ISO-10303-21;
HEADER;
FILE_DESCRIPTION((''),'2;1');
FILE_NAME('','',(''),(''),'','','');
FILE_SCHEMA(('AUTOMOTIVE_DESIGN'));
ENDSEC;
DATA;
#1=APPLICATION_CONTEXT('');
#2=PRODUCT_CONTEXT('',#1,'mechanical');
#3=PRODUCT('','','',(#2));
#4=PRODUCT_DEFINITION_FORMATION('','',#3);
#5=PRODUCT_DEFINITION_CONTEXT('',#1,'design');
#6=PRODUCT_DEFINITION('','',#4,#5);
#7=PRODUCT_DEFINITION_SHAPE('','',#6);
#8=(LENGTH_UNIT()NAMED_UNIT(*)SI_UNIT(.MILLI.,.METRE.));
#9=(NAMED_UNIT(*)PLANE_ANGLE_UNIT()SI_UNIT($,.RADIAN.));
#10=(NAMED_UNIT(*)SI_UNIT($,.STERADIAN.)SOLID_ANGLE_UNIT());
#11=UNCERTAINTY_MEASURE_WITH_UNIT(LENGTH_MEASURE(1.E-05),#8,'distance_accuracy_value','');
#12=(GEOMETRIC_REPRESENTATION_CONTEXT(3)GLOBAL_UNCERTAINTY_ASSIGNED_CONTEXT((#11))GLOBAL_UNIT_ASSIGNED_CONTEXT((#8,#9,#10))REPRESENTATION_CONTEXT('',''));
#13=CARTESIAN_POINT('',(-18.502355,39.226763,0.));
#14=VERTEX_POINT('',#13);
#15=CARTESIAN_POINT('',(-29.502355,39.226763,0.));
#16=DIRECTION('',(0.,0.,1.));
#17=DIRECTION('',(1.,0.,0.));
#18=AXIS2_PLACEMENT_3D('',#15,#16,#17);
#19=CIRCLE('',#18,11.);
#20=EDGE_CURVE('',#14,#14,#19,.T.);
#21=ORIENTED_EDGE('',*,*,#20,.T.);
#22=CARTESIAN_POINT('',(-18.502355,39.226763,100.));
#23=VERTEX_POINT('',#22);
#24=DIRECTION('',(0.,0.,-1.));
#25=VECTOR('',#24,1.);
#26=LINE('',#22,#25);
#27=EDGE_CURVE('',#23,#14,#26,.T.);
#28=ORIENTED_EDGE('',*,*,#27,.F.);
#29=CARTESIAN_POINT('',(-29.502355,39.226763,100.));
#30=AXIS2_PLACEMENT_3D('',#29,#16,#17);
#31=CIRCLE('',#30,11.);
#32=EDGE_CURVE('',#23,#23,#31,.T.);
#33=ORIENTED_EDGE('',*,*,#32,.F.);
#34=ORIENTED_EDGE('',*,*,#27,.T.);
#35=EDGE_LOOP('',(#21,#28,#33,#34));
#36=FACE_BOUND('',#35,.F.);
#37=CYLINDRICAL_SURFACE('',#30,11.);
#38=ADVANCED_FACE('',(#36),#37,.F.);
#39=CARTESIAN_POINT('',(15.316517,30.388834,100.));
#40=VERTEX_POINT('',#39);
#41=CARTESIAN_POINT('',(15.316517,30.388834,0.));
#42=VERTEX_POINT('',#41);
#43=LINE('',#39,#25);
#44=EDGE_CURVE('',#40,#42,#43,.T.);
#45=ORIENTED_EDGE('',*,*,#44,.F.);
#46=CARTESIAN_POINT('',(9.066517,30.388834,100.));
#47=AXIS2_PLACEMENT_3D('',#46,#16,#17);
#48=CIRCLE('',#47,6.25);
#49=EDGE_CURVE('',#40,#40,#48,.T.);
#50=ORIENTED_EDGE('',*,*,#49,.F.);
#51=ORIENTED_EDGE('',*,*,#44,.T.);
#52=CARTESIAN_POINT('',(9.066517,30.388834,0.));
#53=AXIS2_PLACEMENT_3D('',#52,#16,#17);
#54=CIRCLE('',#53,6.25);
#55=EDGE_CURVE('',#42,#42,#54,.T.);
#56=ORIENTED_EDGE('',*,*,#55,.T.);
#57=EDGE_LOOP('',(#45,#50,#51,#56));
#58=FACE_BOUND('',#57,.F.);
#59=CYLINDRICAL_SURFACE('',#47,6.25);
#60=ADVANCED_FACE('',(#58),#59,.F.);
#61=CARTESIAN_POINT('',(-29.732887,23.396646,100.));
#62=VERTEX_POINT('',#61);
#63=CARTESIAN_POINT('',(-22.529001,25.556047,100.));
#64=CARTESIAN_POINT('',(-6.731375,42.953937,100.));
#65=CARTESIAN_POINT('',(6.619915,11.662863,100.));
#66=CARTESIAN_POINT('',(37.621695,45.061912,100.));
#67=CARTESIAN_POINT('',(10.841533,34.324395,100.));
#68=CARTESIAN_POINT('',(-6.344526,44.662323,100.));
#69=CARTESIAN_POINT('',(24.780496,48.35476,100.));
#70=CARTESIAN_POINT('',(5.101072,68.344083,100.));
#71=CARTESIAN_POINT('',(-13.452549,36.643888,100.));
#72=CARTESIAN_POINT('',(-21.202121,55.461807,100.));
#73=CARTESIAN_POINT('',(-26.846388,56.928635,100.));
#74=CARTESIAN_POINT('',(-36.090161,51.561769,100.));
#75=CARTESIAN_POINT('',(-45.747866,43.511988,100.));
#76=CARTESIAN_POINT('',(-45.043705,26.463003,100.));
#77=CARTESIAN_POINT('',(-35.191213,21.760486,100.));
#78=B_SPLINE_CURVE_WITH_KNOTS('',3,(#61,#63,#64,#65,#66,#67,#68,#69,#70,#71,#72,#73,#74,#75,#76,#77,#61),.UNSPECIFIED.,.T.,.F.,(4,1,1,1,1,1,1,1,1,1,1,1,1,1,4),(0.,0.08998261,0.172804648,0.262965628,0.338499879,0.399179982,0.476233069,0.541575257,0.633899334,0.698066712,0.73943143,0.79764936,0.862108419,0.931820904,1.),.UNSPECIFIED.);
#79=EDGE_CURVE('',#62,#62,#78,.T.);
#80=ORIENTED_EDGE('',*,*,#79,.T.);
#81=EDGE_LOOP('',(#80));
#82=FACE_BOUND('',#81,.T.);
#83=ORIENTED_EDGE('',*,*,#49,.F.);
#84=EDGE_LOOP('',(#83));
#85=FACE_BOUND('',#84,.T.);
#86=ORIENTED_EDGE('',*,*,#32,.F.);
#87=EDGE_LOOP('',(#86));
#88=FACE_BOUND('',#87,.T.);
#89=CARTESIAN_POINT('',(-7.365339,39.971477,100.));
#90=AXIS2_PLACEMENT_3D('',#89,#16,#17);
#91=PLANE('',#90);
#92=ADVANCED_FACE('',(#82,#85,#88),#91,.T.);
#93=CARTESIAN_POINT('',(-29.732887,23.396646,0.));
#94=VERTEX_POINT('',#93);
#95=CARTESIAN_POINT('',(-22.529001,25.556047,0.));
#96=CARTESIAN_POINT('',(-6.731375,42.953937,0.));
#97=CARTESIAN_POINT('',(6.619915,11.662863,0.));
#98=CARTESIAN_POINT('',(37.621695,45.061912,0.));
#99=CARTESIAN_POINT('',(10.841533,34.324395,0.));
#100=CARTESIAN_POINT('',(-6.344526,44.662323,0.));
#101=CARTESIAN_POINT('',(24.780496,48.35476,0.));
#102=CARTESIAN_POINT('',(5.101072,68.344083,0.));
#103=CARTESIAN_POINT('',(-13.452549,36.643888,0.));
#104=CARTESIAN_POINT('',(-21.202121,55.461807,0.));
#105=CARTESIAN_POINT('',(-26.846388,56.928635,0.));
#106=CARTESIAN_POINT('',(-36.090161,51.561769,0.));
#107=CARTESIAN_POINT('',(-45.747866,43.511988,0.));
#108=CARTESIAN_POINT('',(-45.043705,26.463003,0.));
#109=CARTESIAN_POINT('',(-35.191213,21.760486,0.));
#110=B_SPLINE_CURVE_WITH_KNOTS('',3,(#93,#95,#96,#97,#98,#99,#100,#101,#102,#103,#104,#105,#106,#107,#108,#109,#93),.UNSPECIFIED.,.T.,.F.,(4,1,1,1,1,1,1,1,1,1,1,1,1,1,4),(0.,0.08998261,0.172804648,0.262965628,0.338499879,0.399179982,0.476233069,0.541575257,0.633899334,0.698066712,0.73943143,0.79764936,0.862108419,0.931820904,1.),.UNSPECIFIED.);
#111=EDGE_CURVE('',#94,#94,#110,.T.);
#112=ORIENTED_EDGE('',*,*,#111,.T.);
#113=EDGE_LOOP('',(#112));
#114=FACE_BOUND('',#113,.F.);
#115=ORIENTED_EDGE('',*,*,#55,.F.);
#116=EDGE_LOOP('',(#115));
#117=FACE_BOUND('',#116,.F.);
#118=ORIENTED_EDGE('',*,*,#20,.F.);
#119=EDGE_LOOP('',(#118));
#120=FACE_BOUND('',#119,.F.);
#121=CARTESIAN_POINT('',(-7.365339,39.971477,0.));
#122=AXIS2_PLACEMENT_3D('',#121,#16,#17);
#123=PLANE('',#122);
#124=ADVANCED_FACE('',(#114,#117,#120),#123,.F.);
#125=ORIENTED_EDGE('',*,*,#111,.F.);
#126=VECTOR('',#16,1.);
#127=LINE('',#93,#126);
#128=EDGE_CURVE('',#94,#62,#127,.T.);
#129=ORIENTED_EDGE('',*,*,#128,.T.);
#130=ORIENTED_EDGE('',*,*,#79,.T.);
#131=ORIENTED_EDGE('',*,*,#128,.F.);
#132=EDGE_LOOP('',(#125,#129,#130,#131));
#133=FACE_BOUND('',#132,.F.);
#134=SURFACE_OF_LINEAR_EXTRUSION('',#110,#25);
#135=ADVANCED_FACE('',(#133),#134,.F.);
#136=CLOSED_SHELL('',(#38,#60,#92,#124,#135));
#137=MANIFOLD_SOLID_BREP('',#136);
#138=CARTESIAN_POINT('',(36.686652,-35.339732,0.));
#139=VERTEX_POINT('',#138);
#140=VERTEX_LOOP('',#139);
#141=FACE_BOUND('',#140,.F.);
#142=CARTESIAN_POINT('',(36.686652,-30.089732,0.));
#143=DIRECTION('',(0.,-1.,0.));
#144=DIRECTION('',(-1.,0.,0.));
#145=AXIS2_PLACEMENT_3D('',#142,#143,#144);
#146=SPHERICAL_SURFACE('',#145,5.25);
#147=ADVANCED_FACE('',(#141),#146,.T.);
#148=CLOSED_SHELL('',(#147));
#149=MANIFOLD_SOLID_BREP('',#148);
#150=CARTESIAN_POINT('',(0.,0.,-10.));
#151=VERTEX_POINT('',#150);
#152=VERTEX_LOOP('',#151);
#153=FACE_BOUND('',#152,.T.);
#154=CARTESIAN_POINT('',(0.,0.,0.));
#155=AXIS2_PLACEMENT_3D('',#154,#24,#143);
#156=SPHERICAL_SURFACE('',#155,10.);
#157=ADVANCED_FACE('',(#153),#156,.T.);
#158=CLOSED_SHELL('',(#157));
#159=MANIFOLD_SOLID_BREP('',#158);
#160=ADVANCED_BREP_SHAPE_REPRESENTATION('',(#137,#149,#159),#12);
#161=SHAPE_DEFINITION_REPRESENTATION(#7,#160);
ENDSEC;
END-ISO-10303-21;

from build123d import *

# Parameters (mm, degrees)
F3_DEPTH = 100
F4_R     = 11
F4_R_2   = 6.25
F5_DEPTH = 100


with BuildPart() as f1:
    # F0 (on Right) → F1 (revolve)
    with BuildSketch(Plane.YZ):
        with BuildLine():
            Line((0, -10), (0, 10))
            ThreePointArc((0, 10), (-10, 0), (0, -10))
        make_face()
    revolve(axis=Axis((0, 0, 6.4427442849), (0, 0, -1)))


with BuildPart() as f3:
    # F2 (on Top) → F3 (new body)
    with BuildSketch(Plane.XY):
        with BuildLine():
            add(Edge.make_bspline(
                [(-29.7328872038, 23.3966463773), (-22.529001354, 25.5560472556), (-6.7313751757, 42.9539370795), (6.619914671, 11.6628631396), (37.6216950286, 45.0619118049), (10.8415331628, 34.3243947595), (-6.3445255851, 44.6623226369), (24.7804963702, 48.3547595056), (5.1010722664, 68.3440827055), (-13.4525492451, 36.6438878977), (-21.2021205286, 55.4618068972), (-26.8463877411, 56.9286352056), (-36.0901607811, 51.5617690307), (-45.7478657944, 43.5119875159), (-45.0437053029, 26.4630032271), (-35.1912132586, 21.7604857937), (-29.7328872038, 23.3966463773)],
                knots=[0, 0, 0, 0, 0.0899826098, 0.172804648, 0.2629656282, 0.338499879, 0.399179982, 0.4762330695, 0.5415752567, 0.6338993337, 0.6980667124, 0.7394314301, 0.7976493599, 0.8621084191, 0.9318209042, 1, 1, 1, 1], degree=3))
        make_face()
    extrude(amount=F3_DEPTH)

    # F4 (on face) → F5 (cut)
    with BuildSketch(Plane.XY.offset(100)):
        with Locations((-29.5023545623, 39.2267629504)):
            Circle(F4_R)
        with Locations((9.0665174648, 30.3888339549)):
            Circle(F4_R_2)
    extrude(amount=-F5_DEPTH, mode=Mode.SUBTRACT)


with BuildPart() as f7:
    # F6 (on Top) → F7 (revolve)
    with BuildSketch(Plane.XY):
        with BuildLine():
            Line((36.6866517541, -35.3397322384), (36.6866517541, -24.8397322384))
            ThreePointArc((36.6866517541, -24.8397322384), (31.4366517541, -30.0897322384), (36.6866517541, -35.3397322384))
        make_face()
    revolve(axis=Axis((36.6866517541, -32.009894494, 0), (0, 1, 0)))


solid = Compound([f1.part, f3.part, f7.part])
